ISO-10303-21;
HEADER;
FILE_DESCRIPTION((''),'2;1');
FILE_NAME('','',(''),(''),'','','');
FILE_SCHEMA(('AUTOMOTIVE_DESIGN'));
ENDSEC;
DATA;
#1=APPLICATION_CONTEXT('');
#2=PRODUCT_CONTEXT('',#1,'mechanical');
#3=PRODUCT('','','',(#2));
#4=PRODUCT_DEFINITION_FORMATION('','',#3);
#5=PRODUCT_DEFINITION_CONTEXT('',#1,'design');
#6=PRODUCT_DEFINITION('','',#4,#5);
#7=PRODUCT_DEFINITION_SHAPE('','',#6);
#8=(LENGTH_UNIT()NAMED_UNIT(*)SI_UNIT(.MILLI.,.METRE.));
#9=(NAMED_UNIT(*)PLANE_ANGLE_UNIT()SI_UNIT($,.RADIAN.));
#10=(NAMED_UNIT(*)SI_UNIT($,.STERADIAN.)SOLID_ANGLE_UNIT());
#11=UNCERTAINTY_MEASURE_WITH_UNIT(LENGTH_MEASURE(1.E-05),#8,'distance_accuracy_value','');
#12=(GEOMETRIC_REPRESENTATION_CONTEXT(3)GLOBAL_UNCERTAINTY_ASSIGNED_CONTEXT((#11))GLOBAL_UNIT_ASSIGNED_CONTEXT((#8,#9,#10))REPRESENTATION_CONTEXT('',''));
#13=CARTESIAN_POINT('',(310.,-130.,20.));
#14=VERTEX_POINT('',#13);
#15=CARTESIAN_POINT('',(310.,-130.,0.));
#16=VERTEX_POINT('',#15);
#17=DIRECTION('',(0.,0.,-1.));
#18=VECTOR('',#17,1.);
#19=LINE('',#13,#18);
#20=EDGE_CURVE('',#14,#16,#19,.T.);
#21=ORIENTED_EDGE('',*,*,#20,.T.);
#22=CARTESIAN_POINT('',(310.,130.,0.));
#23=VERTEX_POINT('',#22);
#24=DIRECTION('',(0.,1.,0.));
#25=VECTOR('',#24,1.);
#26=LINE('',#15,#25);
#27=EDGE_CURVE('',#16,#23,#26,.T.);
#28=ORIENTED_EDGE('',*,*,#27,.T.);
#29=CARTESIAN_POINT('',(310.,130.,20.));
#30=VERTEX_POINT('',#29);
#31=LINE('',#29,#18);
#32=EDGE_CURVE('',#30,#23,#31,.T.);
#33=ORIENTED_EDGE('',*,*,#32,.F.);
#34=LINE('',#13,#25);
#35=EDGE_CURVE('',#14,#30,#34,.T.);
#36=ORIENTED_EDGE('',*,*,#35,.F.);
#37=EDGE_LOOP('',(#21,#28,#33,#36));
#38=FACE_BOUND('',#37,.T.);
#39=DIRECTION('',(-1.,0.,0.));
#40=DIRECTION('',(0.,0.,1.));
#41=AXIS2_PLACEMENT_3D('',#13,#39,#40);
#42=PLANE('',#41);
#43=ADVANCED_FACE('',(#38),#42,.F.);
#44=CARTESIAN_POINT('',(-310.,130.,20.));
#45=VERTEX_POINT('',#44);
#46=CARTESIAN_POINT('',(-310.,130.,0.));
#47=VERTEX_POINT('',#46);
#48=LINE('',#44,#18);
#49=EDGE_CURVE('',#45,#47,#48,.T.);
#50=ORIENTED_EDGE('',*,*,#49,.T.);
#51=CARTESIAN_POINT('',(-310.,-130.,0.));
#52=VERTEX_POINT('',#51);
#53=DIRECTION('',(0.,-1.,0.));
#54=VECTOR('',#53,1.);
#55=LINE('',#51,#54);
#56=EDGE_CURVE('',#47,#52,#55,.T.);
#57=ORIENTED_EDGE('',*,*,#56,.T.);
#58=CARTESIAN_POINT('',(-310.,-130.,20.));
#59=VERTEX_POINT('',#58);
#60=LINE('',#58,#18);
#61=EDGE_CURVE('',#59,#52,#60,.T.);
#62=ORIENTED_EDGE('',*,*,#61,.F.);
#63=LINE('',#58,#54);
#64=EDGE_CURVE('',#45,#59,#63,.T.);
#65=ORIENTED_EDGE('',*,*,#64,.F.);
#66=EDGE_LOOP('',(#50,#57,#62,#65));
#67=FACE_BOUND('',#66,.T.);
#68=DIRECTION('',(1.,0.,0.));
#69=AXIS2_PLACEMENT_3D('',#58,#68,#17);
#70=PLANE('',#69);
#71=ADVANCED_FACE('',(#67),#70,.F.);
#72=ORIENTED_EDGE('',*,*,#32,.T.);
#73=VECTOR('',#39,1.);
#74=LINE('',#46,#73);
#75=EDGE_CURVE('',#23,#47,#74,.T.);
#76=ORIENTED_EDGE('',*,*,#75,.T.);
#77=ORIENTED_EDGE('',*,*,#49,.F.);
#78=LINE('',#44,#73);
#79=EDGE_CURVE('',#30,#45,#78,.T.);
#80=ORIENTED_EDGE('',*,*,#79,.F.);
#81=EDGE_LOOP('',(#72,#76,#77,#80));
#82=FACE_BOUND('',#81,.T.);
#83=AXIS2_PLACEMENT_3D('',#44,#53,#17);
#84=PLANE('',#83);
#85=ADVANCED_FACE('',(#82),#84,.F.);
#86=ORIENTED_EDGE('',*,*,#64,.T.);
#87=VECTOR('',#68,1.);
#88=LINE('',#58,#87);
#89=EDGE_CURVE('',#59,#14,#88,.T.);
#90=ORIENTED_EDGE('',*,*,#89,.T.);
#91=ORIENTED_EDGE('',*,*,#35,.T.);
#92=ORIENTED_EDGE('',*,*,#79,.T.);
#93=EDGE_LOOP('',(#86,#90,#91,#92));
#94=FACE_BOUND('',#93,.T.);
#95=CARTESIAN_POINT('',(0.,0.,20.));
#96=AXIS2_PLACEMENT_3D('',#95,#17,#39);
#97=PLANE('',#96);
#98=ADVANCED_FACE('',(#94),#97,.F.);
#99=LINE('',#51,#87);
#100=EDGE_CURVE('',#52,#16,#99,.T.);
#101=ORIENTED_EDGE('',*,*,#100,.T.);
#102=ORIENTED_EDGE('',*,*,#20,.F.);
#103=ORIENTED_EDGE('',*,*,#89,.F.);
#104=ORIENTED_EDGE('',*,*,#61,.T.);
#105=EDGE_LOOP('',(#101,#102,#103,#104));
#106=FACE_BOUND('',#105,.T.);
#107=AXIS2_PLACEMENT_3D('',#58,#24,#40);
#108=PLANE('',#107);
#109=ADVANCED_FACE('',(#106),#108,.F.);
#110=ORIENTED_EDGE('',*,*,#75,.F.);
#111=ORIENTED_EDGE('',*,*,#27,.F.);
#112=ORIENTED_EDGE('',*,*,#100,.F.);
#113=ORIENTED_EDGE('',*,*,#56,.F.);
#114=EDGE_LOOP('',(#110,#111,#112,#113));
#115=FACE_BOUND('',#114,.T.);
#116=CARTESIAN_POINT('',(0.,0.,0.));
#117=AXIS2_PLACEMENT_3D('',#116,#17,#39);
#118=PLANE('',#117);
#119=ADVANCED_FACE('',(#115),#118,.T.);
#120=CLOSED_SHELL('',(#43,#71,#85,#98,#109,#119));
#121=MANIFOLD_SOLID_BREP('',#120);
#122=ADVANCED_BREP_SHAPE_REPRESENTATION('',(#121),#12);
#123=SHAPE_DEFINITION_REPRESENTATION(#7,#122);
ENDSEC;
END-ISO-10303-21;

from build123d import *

# Parameters (mm, degrees)
SKETCH_1_W      = 620
SKETCH_1_H      = 260
EXTRUDE_1_DEPTH = 20


with BuildPart() as part:
    # 草图1 → 凸台-拉伸1 (new body)
    with BuildSketch(Plane.XY):
        Rectangle(SKETCH_1_W, SKETCH_1_H)
    extrude(amount=EXTRUDE_1_DEPTH)


solid = part.part
